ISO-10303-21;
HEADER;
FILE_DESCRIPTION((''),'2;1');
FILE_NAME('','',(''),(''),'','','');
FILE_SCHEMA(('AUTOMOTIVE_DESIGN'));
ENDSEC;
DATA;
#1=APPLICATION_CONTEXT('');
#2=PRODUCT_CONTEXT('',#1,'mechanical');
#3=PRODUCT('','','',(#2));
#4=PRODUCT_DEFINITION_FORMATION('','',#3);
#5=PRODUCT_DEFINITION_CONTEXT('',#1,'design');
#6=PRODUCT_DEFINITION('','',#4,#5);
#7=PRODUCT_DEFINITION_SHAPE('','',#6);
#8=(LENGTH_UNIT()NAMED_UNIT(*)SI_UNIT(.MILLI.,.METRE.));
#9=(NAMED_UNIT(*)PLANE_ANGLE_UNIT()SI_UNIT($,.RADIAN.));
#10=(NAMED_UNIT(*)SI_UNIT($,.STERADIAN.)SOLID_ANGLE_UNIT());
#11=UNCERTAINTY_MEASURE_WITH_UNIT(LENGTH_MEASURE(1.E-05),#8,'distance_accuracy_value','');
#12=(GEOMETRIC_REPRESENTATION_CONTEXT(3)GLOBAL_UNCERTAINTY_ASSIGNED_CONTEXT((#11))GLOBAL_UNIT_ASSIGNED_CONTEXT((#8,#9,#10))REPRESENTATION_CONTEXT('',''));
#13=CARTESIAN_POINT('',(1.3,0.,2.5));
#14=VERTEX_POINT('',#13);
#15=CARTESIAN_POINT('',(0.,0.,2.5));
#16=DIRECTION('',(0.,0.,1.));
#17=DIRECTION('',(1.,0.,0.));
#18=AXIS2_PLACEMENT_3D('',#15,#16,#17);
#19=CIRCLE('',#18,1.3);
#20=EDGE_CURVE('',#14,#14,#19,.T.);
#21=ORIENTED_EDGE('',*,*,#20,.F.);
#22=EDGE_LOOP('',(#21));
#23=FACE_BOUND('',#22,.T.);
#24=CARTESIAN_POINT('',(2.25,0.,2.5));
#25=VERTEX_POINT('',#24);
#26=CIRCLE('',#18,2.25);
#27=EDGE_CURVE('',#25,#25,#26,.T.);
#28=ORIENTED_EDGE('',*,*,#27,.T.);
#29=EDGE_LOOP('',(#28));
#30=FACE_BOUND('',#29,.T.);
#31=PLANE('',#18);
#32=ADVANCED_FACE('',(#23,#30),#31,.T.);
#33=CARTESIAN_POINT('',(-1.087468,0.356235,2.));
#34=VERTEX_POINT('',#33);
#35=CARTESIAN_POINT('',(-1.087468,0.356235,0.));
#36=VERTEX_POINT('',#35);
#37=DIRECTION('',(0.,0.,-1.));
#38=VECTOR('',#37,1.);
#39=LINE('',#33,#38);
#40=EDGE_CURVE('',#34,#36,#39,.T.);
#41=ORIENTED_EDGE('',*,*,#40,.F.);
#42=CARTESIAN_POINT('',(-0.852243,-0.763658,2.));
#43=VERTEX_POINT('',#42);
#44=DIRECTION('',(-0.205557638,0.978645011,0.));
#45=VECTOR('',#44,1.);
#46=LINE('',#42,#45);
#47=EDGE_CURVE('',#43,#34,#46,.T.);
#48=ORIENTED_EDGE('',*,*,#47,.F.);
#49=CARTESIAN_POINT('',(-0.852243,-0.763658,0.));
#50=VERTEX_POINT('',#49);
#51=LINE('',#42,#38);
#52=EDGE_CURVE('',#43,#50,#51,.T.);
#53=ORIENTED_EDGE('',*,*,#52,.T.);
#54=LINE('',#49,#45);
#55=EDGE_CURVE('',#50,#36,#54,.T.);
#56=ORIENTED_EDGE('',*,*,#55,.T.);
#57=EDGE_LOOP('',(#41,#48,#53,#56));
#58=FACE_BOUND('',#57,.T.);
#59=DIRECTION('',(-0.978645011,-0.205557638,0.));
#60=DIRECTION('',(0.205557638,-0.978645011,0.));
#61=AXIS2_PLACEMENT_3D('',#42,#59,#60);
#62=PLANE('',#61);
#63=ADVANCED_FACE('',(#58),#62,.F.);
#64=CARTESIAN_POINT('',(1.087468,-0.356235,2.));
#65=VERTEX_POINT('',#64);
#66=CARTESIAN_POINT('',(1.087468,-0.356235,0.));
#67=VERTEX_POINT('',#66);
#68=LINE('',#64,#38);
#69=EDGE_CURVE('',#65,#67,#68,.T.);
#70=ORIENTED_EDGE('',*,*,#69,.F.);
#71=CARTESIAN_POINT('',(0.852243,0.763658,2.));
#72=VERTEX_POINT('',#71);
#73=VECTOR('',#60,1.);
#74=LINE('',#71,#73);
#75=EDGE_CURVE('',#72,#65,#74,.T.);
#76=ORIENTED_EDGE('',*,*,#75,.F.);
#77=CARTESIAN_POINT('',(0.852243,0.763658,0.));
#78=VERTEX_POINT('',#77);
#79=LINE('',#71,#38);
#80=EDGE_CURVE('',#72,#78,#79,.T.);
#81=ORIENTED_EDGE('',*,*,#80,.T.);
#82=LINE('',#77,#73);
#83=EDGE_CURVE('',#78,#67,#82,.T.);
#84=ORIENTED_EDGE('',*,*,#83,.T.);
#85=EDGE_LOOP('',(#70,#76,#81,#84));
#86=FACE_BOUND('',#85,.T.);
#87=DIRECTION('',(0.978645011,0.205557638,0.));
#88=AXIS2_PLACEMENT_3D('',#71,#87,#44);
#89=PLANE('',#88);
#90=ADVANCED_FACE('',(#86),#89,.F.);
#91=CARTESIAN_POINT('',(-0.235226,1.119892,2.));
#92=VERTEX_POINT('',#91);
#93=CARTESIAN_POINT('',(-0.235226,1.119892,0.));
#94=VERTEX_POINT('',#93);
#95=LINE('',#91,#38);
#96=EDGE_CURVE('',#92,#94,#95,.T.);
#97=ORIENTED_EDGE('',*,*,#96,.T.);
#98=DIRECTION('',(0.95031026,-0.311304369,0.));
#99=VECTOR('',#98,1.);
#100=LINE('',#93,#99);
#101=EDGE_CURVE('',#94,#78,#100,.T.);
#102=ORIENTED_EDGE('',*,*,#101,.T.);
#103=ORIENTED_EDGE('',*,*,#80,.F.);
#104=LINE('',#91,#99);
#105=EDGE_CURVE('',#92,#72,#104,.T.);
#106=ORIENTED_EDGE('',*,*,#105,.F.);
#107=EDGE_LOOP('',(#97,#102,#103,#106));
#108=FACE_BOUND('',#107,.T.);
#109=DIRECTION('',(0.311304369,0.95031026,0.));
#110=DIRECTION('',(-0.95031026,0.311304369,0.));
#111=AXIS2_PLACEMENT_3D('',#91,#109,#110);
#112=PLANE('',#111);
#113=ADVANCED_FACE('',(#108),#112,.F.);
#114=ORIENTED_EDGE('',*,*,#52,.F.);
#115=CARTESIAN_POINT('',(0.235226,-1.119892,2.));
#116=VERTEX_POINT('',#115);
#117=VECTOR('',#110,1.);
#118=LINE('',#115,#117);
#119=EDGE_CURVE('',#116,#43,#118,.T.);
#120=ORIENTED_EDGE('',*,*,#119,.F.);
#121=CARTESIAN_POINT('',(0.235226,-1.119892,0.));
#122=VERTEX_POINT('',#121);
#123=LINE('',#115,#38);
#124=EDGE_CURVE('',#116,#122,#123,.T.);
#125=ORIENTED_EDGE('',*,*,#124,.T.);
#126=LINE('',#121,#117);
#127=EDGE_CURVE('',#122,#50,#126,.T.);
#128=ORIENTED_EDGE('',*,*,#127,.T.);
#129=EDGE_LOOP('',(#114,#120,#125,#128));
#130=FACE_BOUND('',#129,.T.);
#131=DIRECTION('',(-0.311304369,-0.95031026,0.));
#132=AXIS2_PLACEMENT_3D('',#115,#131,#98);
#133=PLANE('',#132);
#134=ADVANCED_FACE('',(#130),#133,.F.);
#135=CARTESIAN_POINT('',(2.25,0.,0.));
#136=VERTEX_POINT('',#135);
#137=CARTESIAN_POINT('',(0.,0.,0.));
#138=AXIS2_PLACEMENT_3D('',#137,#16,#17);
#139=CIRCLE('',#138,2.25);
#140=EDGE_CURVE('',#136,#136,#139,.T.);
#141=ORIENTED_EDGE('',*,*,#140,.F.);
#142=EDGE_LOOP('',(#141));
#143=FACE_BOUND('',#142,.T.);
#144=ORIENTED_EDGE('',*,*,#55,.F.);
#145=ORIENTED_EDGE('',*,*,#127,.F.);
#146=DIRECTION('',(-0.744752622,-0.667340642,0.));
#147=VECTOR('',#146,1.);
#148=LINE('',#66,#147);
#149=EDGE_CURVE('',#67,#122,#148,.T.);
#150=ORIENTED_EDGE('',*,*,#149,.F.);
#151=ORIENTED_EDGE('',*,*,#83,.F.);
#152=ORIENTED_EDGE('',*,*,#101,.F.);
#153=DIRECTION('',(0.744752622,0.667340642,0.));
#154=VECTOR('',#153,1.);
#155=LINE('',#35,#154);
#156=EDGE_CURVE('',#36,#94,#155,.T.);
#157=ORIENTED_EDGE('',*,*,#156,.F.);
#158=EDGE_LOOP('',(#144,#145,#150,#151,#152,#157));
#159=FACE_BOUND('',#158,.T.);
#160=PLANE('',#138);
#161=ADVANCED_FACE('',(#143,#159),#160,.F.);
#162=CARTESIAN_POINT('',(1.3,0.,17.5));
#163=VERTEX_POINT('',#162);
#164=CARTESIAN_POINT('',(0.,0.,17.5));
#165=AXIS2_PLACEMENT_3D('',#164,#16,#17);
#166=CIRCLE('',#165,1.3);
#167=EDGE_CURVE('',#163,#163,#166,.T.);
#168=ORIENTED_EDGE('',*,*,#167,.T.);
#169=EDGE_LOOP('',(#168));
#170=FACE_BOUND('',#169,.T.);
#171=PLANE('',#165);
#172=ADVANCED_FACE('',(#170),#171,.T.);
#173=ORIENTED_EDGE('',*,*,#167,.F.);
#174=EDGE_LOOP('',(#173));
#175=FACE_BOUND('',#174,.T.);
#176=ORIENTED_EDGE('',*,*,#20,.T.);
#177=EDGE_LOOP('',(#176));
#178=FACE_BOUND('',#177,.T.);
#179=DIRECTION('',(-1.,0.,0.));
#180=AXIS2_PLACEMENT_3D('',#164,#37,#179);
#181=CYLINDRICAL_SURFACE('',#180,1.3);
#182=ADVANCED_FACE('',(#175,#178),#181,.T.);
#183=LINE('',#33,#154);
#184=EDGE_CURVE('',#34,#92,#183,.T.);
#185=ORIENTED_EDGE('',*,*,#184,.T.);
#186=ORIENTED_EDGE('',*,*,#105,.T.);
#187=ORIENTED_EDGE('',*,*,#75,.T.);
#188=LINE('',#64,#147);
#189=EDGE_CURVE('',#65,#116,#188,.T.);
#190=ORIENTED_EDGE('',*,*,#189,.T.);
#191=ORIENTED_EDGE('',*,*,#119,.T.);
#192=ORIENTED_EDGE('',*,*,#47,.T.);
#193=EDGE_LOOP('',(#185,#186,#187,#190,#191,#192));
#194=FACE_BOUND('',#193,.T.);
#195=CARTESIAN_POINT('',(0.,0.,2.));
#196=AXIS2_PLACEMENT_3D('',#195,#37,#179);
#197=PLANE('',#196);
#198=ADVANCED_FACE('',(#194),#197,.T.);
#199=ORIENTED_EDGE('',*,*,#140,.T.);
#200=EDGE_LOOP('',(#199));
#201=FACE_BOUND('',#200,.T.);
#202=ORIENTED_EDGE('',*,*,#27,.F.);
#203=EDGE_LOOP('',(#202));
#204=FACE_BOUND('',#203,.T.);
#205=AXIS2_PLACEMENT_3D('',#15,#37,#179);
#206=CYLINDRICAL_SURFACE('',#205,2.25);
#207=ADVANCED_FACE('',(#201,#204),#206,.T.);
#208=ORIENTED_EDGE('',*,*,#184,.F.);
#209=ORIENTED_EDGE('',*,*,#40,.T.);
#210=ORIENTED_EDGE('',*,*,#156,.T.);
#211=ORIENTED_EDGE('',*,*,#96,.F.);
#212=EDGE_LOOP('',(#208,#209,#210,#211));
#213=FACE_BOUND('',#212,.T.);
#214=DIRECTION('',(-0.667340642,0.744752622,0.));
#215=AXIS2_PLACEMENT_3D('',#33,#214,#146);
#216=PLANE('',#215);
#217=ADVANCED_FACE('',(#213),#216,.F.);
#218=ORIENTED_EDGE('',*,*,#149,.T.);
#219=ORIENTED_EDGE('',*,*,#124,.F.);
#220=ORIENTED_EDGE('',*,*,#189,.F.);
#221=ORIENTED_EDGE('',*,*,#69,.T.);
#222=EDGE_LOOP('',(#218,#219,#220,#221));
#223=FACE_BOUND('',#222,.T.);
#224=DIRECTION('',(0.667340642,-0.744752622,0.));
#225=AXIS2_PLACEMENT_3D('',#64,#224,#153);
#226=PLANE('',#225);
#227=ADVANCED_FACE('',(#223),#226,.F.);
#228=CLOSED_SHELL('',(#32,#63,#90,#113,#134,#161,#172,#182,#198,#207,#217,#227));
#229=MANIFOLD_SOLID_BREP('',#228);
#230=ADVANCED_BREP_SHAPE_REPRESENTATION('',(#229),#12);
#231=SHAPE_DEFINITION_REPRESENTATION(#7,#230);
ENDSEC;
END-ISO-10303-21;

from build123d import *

# Parameters (mm, degrees)
SKETCH_1_R          = 2.25
EXTRUDE_1_DEPTH     = 2.5
SKETCH_2_R          = 1.3
EXTRUDE_2_DEPTH     = 15
CUT_EXTRUDE_1_DEPTH = 2


with BuildPart() as part:
    # ｽｹｯﾁ1 → ﾎﾞｽ - 押し出し1 (new body)
    with BuildSketch(Plane.XY):
        Circle(SKETCH_1_R)
    extrude(amount=EXTRUDE_1_DEPTH)

    # ｽｹｯﾁ2 → ﾎﾞｽ - 押し出し2 (add)
    with BuildSketch(Plane.XY.offset(2.5)):
        Circle(SKETCH_2_R)
    extrude(amount=EXTRUDE_2_DEPTH)

    # ｽｹｯﾁ3 → ｶｯﾄ - 押し出し1 (cut)
    with BuildSketch(Plane(origin=(0, 0, 0), x_dir=(-1, 0, 0), z_dir=(0, 0, -1))):
        Polygon((0.852242502, -0.763657679), (1.087468201, 0.356234818), (0.235225699, 1.119892496), (-0.852242502, 0.763657679), (-1.087468201, -0.356234818), (-0.235225699, -1.119892496), align=None)
    extrude(amount=-CUT_EXTRUDE_1_DEPTH, mode=Mode.SUBTRACT)


solid = part.part
